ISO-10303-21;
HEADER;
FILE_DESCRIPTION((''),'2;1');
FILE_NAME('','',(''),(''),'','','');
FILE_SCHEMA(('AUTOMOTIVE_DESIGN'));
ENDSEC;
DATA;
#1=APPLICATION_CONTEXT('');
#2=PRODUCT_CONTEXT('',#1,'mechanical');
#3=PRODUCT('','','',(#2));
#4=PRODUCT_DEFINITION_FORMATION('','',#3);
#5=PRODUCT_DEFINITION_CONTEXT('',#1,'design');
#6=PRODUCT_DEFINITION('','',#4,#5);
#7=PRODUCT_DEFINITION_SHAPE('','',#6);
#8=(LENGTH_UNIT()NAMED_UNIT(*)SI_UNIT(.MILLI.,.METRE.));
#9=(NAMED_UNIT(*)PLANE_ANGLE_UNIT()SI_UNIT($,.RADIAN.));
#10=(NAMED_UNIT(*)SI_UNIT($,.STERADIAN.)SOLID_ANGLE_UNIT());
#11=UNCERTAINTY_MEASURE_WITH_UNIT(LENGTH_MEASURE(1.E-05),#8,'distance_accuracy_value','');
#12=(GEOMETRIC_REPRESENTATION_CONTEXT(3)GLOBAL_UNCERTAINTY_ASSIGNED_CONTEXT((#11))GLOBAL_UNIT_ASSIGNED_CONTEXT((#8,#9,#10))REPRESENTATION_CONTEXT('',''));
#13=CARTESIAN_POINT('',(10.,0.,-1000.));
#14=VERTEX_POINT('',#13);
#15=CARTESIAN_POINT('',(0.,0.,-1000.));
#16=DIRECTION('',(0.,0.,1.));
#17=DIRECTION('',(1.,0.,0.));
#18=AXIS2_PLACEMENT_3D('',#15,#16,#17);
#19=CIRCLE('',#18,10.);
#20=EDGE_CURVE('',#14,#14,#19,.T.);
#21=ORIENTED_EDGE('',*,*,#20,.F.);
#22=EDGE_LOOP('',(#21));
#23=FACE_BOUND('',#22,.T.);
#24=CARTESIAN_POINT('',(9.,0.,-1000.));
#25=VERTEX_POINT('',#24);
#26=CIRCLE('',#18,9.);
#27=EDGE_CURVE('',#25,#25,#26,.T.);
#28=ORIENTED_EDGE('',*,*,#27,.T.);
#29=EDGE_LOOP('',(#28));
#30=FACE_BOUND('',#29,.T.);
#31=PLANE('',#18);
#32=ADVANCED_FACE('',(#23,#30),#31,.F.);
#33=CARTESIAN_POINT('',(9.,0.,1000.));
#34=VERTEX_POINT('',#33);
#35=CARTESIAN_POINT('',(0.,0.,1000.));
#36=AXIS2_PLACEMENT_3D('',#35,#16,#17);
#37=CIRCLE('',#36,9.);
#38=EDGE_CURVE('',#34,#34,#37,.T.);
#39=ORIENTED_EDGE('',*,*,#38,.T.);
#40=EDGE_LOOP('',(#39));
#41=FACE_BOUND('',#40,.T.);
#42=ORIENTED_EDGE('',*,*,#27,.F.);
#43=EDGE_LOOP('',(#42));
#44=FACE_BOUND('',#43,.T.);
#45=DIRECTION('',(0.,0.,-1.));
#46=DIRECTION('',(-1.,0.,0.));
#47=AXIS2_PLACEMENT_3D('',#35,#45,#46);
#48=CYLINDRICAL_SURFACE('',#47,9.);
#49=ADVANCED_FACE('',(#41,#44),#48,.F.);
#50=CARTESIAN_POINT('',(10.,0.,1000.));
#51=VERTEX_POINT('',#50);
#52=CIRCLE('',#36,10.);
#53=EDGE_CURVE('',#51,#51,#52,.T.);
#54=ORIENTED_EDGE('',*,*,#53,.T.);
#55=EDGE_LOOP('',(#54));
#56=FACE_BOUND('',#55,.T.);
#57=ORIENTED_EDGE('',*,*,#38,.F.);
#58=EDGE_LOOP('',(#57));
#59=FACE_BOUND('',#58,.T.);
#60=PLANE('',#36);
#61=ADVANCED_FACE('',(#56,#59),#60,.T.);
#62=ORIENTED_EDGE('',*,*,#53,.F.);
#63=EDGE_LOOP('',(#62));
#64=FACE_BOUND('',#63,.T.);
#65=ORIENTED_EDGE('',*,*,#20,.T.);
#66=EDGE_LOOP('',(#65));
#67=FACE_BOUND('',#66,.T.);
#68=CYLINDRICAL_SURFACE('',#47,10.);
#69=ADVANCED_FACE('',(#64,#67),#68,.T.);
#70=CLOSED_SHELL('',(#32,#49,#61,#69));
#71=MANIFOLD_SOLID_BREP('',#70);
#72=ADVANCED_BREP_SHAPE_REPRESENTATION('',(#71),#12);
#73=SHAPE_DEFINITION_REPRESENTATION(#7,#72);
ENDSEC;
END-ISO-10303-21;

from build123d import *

# Parameters (mm, degrees)
SKETCH_1_R      = 10
SKETCH_1_R_2    = 9
EXTRUDE_1_DEPTH = 1000


with BuildPart() as part:
    # Эскиз1 → Бобышка-Вытянуть1 (new body, symmetric)
    with BuildSketch(Plane.XY):
        Circle(SKETCH_1_R)
        Circle(SKETCH_1_R_2, mode=Mode.SUBTRACT)
    extrude(amount=EXTRUDE_1_DEPTH, both=True)


solid = part.part
